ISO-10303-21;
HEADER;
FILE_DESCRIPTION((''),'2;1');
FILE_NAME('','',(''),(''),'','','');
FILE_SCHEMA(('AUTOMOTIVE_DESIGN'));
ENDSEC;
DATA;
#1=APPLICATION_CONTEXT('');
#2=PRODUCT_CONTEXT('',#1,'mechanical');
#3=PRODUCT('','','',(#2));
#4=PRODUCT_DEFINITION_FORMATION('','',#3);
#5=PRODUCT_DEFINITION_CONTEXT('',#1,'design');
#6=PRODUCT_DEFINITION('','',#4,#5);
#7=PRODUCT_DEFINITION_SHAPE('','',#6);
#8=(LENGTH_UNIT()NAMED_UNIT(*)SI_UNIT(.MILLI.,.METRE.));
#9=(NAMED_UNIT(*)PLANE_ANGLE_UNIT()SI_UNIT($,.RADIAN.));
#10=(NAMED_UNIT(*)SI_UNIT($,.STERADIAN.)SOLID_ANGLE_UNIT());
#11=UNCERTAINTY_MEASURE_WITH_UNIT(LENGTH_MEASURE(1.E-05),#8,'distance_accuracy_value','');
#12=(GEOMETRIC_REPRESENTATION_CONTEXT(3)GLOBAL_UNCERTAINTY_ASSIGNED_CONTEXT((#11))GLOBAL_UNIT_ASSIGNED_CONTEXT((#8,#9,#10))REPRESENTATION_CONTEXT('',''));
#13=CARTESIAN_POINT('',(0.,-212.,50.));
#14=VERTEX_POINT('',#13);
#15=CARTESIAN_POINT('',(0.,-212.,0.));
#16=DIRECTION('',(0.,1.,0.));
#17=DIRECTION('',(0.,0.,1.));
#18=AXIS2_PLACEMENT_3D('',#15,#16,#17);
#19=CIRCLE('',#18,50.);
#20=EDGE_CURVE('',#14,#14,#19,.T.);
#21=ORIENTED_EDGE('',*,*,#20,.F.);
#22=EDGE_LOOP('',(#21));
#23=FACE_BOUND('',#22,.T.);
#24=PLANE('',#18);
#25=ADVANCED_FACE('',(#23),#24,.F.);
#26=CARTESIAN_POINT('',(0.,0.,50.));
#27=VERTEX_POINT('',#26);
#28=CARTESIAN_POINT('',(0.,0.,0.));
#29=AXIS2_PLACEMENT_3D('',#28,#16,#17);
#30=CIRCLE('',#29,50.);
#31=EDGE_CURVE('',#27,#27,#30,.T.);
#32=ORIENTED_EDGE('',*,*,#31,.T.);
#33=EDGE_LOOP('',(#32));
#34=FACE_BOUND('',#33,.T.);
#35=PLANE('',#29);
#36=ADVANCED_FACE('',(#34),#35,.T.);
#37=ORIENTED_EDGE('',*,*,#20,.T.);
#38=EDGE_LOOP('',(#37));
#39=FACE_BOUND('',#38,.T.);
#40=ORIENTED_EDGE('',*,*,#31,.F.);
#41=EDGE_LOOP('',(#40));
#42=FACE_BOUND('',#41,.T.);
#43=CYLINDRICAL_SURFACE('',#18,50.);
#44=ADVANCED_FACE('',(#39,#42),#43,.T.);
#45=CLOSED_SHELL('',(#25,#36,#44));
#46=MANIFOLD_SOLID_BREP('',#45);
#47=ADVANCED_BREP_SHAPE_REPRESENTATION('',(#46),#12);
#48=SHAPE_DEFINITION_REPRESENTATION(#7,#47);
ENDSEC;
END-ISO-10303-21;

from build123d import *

# Parameters (mm, degrees)
PROFILE_SKETCH_R      = 50
PROFILE_EXTRUDE_DEPTH = 212


with BuildPart() as part:
    # Profile Sketch → Profile Extrude (new body)
    with BuildSketch(Plane(origin=(0, 0, 0), x_dir=(1, 0, 0), z_dir=(0, 1, 0))):
        with Locations(Location((0, 0, 0), (0, 0, 270))):
            Circle(PROFILE_SKETCH_R)
    extrude(amount=-PROFILE_EXTRUDE_DEPTH)


solid = part.part
